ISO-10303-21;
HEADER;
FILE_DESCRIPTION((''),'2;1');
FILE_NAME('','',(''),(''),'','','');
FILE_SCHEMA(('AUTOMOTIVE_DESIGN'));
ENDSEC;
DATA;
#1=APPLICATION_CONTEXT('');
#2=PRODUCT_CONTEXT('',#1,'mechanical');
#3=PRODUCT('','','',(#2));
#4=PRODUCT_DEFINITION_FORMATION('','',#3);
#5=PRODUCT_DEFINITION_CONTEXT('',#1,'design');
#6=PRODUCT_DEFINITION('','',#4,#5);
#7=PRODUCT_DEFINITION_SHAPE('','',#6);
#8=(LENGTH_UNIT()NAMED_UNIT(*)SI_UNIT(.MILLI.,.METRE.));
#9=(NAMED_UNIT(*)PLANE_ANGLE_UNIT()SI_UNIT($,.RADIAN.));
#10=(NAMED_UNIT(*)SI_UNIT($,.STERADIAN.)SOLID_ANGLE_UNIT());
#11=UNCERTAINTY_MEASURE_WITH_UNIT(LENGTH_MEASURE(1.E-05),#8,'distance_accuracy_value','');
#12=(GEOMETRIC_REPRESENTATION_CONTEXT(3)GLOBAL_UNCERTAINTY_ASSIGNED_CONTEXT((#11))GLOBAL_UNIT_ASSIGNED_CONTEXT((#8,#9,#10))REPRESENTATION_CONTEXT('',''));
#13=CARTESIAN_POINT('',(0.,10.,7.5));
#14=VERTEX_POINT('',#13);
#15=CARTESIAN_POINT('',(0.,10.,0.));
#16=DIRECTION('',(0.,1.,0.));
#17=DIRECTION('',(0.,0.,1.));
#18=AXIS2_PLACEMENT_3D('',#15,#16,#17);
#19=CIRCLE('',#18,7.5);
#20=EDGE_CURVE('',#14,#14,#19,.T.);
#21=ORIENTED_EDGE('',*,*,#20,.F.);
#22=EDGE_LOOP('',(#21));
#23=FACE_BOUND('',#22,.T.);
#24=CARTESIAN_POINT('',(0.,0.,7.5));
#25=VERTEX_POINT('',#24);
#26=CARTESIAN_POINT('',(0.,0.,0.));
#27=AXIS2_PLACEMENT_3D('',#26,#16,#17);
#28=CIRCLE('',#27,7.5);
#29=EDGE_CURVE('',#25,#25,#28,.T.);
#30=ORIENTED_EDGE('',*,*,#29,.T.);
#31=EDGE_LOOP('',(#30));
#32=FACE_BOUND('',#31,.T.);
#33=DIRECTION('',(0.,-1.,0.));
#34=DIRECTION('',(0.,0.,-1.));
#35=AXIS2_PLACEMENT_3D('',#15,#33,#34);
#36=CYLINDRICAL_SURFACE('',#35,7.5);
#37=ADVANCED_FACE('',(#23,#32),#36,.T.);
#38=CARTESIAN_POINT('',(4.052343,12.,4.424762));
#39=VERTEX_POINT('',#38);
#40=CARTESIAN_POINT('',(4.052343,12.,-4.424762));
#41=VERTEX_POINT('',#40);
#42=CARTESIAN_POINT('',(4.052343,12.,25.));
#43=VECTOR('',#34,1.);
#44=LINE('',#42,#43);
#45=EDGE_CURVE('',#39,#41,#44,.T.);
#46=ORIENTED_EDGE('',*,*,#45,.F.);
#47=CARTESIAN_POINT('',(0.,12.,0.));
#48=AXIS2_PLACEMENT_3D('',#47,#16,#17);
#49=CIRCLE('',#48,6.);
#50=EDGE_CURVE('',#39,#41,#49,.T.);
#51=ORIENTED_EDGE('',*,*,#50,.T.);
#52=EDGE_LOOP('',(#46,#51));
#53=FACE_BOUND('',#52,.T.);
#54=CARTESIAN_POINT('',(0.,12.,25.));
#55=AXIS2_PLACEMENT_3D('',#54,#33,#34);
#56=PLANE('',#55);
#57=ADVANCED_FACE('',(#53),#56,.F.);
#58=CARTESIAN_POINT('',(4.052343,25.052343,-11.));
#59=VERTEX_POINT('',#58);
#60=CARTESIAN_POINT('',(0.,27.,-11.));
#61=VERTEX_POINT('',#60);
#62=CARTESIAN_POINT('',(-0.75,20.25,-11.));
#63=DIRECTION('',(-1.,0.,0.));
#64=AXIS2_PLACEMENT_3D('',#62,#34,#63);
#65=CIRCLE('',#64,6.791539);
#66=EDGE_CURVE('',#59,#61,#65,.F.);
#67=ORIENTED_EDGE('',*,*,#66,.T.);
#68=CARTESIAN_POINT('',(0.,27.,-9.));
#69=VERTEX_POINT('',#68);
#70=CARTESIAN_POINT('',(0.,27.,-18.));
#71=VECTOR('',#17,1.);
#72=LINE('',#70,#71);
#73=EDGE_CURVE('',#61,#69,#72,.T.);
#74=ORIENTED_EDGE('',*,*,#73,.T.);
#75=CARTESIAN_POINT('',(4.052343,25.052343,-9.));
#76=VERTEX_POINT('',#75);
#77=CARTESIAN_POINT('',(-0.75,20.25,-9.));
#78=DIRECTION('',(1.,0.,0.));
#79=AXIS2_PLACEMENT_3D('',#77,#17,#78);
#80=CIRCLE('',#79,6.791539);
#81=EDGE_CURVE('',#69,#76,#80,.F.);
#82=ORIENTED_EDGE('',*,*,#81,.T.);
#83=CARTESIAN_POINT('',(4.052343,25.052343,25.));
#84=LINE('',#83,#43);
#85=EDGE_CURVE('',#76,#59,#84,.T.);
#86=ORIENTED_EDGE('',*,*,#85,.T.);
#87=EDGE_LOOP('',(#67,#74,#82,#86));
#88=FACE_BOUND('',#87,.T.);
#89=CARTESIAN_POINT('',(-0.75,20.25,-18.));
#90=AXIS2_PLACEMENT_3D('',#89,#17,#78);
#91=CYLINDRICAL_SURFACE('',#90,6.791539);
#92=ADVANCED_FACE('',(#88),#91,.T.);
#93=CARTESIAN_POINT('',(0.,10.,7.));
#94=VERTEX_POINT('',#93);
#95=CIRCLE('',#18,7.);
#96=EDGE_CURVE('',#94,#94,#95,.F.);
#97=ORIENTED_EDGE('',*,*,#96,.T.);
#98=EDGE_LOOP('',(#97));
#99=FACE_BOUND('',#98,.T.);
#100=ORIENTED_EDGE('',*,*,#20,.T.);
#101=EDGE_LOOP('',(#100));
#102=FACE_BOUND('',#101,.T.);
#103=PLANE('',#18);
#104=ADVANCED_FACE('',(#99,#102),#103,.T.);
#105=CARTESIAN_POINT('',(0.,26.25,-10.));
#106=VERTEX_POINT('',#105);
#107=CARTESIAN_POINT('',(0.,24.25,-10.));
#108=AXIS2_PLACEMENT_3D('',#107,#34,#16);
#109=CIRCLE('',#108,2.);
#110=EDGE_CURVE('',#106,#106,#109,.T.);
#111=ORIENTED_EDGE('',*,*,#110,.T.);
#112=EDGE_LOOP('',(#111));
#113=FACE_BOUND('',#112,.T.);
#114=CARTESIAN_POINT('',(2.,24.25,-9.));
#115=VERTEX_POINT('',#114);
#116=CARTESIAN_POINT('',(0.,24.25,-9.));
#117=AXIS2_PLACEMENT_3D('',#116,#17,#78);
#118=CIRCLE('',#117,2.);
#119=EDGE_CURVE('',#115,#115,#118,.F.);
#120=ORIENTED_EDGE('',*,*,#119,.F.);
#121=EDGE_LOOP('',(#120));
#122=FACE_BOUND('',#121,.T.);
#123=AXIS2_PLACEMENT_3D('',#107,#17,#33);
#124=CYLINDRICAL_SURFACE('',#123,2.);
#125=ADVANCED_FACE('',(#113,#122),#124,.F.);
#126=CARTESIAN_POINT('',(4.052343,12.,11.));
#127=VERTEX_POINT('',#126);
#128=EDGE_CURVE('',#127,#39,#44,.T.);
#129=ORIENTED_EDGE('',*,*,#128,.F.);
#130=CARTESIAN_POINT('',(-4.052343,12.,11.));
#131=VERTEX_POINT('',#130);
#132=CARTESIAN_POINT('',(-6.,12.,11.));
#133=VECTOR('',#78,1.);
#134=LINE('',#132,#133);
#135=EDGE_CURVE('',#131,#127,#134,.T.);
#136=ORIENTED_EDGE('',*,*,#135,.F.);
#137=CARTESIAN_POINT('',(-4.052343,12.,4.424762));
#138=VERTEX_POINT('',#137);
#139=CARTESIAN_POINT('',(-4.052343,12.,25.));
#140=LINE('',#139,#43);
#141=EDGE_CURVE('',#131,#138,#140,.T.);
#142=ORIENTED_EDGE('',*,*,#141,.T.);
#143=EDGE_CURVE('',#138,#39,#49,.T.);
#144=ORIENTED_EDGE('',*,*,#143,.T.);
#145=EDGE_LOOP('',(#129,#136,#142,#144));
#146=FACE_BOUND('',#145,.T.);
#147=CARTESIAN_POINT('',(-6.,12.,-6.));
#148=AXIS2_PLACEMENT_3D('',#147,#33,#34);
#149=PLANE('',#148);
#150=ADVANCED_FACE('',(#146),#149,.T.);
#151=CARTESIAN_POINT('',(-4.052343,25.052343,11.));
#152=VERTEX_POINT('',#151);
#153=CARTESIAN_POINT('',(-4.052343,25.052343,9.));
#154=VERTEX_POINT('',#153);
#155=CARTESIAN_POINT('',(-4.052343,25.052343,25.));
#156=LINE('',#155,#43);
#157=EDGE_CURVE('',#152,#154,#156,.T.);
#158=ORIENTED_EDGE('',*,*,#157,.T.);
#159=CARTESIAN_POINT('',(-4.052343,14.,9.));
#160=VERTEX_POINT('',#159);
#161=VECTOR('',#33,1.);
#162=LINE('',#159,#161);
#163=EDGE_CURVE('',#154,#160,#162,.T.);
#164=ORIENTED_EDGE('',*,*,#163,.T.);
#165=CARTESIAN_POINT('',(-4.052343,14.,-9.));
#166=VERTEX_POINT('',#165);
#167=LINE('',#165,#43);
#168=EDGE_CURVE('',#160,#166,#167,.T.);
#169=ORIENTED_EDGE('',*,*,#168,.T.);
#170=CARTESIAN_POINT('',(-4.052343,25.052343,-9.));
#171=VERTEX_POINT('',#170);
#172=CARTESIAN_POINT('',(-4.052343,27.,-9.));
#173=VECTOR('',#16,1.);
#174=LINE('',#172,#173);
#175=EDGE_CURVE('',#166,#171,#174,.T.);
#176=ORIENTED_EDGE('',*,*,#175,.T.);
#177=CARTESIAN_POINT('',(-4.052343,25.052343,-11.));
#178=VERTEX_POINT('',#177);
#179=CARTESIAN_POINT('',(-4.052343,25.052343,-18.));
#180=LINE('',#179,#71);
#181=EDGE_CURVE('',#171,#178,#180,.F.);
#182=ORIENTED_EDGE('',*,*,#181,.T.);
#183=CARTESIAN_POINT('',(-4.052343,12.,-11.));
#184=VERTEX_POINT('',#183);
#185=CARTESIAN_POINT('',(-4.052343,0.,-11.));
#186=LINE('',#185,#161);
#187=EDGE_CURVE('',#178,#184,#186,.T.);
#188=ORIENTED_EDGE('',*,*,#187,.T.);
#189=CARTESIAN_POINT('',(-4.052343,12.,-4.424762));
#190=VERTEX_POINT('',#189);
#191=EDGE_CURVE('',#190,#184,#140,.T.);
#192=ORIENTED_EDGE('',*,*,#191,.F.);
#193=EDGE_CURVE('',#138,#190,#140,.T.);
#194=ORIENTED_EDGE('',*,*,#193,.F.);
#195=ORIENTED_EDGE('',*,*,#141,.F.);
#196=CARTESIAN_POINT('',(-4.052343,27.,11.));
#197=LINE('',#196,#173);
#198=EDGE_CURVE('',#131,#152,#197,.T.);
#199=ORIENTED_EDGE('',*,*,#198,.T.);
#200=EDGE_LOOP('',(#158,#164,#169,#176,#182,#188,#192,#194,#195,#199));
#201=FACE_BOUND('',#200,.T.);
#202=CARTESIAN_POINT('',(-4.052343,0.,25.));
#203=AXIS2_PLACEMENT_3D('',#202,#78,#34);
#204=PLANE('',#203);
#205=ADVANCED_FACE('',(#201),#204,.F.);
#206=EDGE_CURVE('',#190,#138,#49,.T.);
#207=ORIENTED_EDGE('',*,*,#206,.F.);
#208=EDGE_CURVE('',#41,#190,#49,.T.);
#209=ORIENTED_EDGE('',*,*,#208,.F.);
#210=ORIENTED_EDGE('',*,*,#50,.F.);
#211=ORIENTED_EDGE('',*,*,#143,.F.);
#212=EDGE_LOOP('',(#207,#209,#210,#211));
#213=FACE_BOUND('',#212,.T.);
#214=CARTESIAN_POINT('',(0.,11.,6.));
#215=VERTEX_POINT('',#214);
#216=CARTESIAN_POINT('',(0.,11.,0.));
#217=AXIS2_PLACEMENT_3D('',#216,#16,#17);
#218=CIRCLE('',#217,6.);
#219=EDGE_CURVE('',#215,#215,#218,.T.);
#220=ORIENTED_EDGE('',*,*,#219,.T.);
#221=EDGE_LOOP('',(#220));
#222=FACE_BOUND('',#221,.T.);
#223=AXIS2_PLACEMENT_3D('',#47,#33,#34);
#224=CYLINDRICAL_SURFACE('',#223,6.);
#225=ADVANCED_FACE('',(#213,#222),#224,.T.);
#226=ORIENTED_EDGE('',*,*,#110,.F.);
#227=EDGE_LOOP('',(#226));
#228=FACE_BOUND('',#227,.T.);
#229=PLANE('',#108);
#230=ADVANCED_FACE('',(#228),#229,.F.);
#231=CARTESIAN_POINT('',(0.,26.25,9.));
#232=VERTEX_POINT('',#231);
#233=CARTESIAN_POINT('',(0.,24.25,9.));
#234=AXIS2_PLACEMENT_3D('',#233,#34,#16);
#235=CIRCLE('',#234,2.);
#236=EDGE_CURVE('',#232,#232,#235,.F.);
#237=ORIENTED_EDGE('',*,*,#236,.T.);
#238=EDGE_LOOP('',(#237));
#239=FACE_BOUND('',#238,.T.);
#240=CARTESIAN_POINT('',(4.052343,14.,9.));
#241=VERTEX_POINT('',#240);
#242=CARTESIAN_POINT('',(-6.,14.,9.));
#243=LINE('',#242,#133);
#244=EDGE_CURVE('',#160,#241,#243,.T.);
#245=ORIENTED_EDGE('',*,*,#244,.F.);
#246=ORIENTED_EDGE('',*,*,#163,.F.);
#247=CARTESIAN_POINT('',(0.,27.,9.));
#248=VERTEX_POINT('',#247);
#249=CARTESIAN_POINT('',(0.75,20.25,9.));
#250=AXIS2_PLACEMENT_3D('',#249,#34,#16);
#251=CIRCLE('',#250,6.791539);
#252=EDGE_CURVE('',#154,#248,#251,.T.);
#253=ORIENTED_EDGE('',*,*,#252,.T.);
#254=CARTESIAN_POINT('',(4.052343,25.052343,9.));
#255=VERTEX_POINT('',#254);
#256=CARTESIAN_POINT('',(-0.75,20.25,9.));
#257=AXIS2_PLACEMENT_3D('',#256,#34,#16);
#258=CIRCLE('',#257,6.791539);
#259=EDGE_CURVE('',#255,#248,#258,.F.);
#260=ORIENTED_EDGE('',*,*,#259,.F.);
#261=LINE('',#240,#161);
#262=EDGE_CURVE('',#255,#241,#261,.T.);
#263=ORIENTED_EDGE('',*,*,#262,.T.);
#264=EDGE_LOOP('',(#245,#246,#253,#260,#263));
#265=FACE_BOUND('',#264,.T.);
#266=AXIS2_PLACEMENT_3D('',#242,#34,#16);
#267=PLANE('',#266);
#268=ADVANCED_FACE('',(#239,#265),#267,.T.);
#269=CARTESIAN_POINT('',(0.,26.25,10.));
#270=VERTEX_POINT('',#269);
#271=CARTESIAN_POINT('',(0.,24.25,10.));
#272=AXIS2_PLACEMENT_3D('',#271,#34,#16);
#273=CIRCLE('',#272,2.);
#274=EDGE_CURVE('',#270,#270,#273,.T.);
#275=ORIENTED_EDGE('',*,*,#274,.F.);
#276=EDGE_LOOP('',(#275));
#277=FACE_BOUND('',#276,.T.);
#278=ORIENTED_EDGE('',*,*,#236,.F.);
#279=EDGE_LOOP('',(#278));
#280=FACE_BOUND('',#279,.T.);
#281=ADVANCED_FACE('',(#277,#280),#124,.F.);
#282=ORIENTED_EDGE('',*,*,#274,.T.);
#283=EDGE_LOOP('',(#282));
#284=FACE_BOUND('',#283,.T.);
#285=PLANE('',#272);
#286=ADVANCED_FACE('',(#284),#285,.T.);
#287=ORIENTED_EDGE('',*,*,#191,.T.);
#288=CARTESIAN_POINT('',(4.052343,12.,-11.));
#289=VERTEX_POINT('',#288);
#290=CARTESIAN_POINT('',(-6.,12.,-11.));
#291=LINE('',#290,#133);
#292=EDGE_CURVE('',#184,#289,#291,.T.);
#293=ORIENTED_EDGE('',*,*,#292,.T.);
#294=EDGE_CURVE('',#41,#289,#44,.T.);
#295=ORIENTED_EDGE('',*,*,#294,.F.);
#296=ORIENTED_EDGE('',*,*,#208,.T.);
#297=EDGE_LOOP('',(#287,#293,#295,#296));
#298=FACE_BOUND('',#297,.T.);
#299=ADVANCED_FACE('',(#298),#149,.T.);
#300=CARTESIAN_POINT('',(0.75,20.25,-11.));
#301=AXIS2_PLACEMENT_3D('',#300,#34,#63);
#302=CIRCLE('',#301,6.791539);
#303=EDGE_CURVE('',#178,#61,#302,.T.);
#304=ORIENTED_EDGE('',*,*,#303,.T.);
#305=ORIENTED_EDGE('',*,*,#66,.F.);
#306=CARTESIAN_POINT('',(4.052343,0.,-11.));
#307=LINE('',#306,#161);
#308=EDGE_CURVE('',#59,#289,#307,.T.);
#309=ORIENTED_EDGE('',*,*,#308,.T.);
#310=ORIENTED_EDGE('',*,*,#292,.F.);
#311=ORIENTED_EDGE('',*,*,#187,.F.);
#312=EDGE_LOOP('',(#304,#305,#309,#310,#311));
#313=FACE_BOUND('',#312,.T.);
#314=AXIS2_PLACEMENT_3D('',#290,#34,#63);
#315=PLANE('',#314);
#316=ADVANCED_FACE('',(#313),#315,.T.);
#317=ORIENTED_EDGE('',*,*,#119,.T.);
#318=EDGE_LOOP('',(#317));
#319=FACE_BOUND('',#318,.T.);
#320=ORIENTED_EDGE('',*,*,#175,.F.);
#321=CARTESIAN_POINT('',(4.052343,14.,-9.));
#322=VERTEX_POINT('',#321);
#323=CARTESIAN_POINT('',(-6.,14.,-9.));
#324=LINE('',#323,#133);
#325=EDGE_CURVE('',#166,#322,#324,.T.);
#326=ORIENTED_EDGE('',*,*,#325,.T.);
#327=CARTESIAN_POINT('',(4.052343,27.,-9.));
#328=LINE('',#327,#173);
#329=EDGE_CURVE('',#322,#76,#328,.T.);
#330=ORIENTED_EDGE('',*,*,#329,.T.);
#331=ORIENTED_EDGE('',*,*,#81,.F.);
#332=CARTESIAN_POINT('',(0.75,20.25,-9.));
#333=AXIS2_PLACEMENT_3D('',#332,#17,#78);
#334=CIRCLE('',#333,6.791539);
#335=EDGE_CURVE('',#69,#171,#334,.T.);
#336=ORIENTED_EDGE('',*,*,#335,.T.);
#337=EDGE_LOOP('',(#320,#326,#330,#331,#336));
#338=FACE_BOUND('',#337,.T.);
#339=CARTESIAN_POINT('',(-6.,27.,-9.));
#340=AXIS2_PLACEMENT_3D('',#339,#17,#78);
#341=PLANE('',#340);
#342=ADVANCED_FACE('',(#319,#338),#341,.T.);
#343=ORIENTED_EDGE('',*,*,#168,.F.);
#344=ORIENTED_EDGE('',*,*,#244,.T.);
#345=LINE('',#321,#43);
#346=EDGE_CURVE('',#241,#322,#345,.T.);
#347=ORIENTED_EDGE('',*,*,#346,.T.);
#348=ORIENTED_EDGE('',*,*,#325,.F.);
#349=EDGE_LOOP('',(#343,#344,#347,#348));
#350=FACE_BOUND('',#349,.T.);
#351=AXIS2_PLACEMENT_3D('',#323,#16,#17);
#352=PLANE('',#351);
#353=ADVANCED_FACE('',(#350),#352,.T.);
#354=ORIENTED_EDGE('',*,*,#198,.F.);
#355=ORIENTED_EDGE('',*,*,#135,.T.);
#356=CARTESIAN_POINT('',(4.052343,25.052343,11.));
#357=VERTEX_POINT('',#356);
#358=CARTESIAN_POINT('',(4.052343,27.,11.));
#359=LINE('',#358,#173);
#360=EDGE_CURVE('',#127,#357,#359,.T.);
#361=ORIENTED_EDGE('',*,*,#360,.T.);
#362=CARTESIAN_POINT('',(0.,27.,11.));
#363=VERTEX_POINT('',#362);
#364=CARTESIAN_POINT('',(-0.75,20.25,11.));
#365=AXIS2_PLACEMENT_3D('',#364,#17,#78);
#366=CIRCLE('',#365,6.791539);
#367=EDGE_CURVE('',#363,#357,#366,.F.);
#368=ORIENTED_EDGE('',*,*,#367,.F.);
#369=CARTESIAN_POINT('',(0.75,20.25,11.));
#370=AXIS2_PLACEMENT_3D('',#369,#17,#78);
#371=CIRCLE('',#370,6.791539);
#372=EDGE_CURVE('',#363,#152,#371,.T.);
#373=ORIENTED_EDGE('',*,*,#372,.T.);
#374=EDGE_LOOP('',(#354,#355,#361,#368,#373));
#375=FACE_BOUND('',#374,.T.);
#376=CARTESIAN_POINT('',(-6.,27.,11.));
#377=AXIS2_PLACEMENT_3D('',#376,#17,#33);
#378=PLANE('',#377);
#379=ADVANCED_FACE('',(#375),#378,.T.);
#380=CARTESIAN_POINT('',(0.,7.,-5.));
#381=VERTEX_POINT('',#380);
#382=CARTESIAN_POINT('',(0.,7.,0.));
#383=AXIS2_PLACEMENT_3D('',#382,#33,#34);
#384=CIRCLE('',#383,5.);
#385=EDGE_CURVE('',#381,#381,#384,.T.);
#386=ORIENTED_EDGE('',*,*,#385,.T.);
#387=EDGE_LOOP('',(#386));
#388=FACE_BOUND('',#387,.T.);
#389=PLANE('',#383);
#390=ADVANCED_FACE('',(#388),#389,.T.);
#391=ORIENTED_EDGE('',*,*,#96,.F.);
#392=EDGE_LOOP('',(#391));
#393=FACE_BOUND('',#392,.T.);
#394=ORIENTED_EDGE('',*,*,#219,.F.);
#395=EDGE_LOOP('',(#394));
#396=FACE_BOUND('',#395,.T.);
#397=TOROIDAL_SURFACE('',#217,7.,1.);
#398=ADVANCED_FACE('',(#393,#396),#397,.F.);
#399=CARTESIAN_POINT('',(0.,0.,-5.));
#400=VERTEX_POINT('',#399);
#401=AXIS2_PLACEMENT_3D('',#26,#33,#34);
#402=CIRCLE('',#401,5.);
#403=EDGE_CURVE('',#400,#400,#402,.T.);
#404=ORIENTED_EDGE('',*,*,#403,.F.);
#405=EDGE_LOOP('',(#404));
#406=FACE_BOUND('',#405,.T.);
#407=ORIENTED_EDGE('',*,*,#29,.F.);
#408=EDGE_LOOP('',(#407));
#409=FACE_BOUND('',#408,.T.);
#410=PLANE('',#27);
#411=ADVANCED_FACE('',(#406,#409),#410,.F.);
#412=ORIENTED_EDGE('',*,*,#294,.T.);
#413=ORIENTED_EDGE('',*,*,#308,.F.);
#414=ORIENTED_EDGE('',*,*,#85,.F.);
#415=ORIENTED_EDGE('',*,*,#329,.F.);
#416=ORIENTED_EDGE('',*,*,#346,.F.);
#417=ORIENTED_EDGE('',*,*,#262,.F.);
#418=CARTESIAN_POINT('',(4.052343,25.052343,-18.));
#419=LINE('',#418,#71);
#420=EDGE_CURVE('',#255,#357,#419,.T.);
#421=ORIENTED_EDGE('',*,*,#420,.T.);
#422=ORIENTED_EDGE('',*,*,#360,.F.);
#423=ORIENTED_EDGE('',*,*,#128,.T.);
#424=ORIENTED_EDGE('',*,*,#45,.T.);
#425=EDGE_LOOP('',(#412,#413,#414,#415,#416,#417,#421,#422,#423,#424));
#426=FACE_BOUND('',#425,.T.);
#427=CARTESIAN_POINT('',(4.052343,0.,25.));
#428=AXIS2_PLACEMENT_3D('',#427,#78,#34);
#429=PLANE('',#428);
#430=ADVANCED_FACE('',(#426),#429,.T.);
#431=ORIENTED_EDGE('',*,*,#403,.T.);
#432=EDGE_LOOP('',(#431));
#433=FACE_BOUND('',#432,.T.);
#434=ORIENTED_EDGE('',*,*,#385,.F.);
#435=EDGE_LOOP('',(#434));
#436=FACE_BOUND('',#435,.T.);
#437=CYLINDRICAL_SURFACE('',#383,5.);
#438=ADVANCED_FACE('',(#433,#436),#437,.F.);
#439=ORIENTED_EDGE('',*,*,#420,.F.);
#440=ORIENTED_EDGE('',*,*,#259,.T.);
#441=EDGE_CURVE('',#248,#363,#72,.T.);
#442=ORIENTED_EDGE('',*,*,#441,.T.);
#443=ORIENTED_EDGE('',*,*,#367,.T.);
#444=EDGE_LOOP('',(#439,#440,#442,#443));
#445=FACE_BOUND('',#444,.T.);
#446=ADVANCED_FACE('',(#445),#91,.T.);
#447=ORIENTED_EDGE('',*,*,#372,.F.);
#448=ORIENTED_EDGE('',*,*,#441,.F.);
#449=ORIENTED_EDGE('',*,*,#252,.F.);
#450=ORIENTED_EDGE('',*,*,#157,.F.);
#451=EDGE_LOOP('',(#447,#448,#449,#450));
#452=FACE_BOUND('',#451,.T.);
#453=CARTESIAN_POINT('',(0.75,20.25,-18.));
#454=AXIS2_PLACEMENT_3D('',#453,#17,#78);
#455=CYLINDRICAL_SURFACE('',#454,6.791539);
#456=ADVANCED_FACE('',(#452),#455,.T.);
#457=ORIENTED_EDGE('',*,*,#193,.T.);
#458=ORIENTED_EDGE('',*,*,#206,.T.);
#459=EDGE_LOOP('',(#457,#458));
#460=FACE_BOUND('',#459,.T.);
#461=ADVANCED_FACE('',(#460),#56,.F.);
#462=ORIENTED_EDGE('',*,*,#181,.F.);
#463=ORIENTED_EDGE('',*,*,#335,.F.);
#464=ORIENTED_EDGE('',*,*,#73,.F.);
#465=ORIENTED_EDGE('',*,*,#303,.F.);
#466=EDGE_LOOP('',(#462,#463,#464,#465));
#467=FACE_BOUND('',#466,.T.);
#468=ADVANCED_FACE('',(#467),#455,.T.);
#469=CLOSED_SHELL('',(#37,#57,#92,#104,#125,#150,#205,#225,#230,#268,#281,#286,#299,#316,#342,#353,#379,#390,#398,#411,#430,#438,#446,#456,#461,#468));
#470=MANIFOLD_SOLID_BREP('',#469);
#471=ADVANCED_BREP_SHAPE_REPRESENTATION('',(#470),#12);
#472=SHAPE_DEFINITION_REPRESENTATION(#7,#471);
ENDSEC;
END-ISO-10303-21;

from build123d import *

# Parameters (mm, degrees)
SKETCH1_R                = 7.5
BOSS_EXTRUDE1_DEPTH      = 10
SKETCH5_R                = 6
BOSS_EXTRUDE2_DEPTH      = 2
FILLET2_R                = 1
BOSS_EXTRUDE3_DEPTH      = 6
BOSS_EXTRUDE3_DEPTH_BACK = 6
CUT_EXTRUDE4_DEPTH       = 29
CUT_EXTRUDE5_DEPTH       = 19
CUT_EXTRUDE5_DEPTH_BACK  = 1
SKETCH10_R               = 2
SKETCH12_R               = 5
CUT_EXTRUDE6_DEPTH       = 7
CUT_EXTRUDE7_START       = -36
CUT_EXTRUDE7_DEPTH       = 36


with BuildPart() as part:
    # Sketch1 → Boss-Extrude1 (new body)
    with BuildSketch(Plane(origin=(0, 0, 0), x_dir=(1, 0, 0), z_dir=(0, 1, 0))):
        Circle(SKETCH1_R)
    extrude(amount=BOSS_EXTRUDE1_DEPTH)

    # Sketch5 → Boss-Extrude2 (add)
    with BuildSketch(Plane(origin=(0, 10, 0), x_dir=(1, 0, 0), z_dir=(0, 1, 0))):
        Circle(SKETCH5_R)
    extrude(amount=BOSS_EXTRUDE2_DEPTH)

    # Fillet2
    fillet2_edges = [part.edges().sort_by_distance(p)[0] for p in [
        (-6, 10, 0),
    ]]
    fillet(fillet2_edges, radius=FILLET2_R)

    # Sketch6 → Boss-Extrude3 (add, two sides: drawn at the far end of the back side and taken through both)
    with BuildSketch(Plane(origin=(0, 0, 0), x_dir=(0, 0, -1), z_dir=(1, 0, 0)).offset(-BOSS_EXTRUDE3_DEPTH_BACK)):
        Polygon((6, 12), (-6, 12), (-11, 12), (-11, 27), (-9, 27), (-9, 14), (9, 14), (9, 27), (11, 27), (11, 12), align=None)
    extrude(amount=BOSS_EXTRUDE3_DEPTH + BOSS_EXTRUDE3_DEPTH_BACK)

    # Sketch9 → Cut-Extrude4 (cut)
    with BuildSketch(Plane.XY.offset(11)):
        with BuildLine():
            Line((-6, 27), (-6, 21))
            ThreePointArc((-6, 21), (-4.052343178, 25.052343178), (0, 27))
            Line((0, 27), (-6, 27))
        make_face()
        with BuildLine():
            ThreePointArc((0, 27), (4.052343178, 25.052343178), (6, 21))
            Line((6, 21), (6, 27))
            Line((6, 27), (0, 27))
        make_face()
    extrude(amount=-CUT_EXTRUDE4_DEPTH, mode=Mode.SUBTRACT)

    # Sketch10 → Cut-Extrude5 (cut, two sides: drawn at the far end of the back side and taken through both)
    with BuildSketch(Plane(origin=(0, 0, 9), x_dir=(-1, 0, 0), z_dir=(0, 0, -1)).offset(-CUT_EXTRUDE5_DEPTH_BACK)):
        with Locations((0, 24.25)):
            Circle(SKETCH10_R)
    extrude(amount=CUT_EXTRUDE5_DEPTH + CUT_EXTRUDE5_DEPTH_BACK, mode=Mode.SUBTRACT)

    # Sketch12 → Cut-Extrude6 (cut)
    with BuildSketch(Plane.XZ):
        Circle(SKETCH12_R)
    extrude(amount=-CUT_EXTRUDE6_DEPTH, mode=Mode.SUBTRACT)

    # Sketch13 → Cut-Extrude7 (cut)
    with BuildSketch(Plane(origin=(0, 0, -11), x_dir=(-1, 0, 0), z_dir=(0, 0, -1)).offset(CUT_EXTRUDE7_START)):
        with BuildLine():
            Line((-4.052343178, 12), (-4.052343178, 25.052343178))
            ThreePointArc((-4.052343178, 25.052343178), (-5.371235948, 23.192018094), (-6, 21))
            Line((-6, 21), (-6, 12))
            Line((-6, 12), (-4.052343178, 12))
        make_face()
        with BuildLine():
            Line((4.052343178, 25.052343178), (4.052343178, 12))
            Line((4.052343178, 12), (6, 12))
            Line((6, 12), (6, 21))
            ThreePointArc((6, 21), (5.371235948, 23.192018094), (4.052343178, 25.052343178))
        make_face()
    extrude(amount=CUT_EXTRUDE7_DEPTH, mode=Mode.SUBTRACT)


solid = part.part
